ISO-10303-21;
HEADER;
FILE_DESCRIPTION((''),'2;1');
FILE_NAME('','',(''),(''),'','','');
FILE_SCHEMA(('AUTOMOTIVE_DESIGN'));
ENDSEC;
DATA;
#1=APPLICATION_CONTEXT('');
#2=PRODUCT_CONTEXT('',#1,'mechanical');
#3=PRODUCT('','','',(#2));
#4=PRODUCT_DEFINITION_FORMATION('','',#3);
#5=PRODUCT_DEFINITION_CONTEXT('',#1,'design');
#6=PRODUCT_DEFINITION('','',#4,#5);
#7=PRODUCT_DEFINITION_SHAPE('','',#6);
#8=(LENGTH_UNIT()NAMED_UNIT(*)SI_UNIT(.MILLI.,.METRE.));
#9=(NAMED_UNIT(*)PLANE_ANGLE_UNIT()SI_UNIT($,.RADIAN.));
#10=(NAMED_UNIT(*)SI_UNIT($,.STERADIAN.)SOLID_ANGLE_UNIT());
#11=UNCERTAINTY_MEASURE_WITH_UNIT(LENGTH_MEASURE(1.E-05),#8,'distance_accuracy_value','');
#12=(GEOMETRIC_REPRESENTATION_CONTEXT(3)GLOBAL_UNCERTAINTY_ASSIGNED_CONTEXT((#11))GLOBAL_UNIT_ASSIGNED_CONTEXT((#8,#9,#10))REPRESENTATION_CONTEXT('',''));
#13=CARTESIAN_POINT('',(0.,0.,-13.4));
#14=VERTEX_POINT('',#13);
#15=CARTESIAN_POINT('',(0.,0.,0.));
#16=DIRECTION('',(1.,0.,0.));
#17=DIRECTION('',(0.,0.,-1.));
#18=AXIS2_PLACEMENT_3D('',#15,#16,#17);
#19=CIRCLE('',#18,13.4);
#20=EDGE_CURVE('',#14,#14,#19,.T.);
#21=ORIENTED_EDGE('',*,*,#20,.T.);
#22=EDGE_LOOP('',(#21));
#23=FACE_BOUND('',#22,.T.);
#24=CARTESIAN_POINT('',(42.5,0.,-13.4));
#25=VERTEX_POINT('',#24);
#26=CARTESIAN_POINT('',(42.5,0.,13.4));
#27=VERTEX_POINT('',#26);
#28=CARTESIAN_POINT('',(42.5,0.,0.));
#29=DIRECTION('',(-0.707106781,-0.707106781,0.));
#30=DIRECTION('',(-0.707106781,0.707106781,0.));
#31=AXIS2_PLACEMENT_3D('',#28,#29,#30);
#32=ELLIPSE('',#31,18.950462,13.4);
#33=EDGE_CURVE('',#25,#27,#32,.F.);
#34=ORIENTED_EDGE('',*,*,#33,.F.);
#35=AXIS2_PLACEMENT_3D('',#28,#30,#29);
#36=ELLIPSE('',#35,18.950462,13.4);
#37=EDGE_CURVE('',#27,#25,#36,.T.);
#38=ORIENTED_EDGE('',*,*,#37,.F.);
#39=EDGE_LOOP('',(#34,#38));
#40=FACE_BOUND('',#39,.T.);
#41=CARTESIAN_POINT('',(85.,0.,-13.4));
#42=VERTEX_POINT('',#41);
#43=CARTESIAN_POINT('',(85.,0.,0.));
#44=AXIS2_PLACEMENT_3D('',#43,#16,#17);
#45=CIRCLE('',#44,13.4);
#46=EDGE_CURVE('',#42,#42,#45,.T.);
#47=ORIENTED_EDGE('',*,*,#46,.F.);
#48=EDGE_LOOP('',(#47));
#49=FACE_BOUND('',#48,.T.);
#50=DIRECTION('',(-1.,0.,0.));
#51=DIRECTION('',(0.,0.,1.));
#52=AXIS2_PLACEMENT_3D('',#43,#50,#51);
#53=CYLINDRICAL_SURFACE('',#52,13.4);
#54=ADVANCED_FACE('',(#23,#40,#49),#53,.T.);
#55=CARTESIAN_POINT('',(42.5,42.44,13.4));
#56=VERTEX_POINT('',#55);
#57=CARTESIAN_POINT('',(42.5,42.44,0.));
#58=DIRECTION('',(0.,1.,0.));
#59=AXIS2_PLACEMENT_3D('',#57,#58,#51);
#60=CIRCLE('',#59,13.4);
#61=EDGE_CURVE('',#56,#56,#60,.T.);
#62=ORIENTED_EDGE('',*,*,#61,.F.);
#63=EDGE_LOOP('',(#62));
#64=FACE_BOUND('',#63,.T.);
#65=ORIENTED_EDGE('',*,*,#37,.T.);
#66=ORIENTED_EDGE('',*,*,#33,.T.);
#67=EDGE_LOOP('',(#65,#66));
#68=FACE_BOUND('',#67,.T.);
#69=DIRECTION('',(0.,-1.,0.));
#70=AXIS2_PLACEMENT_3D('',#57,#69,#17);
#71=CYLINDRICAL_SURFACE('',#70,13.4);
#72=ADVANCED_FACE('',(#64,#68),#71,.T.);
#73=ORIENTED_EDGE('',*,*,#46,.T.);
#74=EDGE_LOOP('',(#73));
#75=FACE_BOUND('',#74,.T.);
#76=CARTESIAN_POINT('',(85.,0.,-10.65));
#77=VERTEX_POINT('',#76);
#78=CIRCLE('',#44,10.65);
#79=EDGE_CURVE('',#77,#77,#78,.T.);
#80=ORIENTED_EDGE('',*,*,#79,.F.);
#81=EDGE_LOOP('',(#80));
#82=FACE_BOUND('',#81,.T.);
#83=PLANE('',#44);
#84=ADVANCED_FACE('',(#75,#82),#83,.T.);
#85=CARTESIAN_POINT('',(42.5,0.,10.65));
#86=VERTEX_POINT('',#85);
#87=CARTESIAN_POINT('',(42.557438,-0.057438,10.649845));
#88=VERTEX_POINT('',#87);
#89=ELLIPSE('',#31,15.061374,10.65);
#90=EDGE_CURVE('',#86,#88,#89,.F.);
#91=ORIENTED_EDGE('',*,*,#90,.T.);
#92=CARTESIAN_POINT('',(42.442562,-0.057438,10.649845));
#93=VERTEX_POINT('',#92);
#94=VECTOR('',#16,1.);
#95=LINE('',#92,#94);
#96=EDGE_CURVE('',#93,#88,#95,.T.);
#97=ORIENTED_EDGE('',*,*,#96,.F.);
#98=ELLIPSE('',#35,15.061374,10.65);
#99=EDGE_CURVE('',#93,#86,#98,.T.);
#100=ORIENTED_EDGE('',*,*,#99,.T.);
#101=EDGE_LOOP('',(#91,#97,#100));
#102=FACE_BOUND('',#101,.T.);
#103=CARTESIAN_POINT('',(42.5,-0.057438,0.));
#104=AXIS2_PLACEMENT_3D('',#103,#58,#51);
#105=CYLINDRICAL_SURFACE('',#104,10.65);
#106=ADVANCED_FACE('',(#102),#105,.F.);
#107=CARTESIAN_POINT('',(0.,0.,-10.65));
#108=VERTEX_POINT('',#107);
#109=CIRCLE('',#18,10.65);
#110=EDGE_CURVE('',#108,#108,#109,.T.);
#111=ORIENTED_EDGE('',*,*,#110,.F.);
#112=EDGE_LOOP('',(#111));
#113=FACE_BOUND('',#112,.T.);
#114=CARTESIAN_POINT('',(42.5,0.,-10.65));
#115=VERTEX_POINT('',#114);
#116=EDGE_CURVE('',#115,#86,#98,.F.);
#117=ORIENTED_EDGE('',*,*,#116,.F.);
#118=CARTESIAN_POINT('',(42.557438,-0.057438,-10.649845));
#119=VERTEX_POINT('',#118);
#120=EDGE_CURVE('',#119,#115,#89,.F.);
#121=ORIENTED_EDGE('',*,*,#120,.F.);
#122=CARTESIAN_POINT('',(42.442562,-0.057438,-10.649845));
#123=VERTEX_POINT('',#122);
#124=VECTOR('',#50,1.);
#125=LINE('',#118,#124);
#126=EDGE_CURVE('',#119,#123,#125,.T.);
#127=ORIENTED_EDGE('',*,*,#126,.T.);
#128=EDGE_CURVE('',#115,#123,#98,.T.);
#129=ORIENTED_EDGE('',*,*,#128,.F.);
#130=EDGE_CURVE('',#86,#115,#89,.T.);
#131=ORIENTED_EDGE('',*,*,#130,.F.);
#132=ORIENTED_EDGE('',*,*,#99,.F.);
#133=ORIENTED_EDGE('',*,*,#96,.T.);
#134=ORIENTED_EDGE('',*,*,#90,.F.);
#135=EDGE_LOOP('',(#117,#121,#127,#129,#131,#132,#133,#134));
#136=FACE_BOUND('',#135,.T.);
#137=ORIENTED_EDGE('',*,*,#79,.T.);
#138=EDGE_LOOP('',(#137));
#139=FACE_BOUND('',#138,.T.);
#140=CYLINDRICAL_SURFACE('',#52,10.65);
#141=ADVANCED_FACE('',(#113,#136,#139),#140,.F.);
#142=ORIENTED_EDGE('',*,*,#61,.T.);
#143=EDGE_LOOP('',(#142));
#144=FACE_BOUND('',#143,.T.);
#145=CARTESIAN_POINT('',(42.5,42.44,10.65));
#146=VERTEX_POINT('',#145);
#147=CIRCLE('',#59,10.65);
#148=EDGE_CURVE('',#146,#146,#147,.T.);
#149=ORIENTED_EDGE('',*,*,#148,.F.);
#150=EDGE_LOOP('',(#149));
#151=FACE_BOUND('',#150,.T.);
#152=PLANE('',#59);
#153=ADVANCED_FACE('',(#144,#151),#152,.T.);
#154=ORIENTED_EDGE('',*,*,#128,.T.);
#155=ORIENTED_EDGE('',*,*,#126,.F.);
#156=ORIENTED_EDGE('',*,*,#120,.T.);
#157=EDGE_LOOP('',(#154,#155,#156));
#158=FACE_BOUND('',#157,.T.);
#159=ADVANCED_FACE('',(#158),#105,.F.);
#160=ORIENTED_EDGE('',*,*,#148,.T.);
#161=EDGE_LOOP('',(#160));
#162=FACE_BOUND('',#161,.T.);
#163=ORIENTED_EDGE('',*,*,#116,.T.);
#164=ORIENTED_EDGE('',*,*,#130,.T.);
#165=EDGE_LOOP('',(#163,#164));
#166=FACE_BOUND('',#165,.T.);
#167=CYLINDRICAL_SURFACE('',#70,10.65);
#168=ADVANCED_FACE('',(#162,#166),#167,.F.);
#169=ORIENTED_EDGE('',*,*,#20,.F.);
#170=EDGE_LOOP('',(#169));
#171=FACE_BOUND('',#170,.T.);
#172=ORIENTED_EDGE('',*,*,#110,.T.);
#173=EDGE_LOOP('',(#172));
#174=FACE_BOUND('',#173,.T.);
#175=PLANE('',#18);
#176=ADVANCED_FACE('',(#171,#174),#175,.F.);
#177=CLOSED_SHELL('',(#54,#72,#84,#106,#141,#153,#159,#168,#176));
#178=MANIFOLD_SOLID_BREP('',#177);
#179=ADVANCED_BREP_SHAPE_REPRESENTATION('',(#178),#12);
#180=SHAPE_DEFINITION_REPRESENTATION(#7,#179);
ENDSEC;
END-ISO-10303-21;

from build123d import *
from build123d.topology import SkipClean

# Parameters (mm, degrees)
CROQUIS1_R              = 13.4
CROQUIS1_R_2            = 10.65
SALIENTE_EXTRUIR1_DEPTH = 85
CROQUIS2_R              = 13.4
CROQUIS2_R_2            = 10.65
SALIENTE_EXTRUIR2_DEPTH = 42.44
CROQUIS3_R              = 10.65
CORTAR_EXTRUIR1_DEPTH   = 84.497438367
CORTAR_EXTRUIR2_START   = -42.497438367
CROQUIS5_R              = 10.65
CORTAR_EXTRUIR2_DEPTH   = 42.497438367


with BuildPart() as part:
    # Croquis1 → Saliente-Extruir1 (new body)
    with BuildSketch(Plane(origin=(0, 0, 0), x_dir=(0, 0, -1), z_dir=(1, 0, 0))):
        Circle(CROQUIS1_R)
        Circle(CROQUIS1_R_2, mode=Mode.SUBTRACT)
    extrude(amount=SALIENTE_EXTRUIR1_DEPTH)

    # Croquis2 → Saliente-Extruir2 (add)
    with BuildSketch(Plane(origin=(0, 0, 0), x_dir=(1, 0, 0), z_dir=(0, 1, 0))):
        with Locations(Location((42.5, 0, 0), (0, 0, 270))):
            Circle(CROQUIS2_R)
        with Locations(Location((42.5, 0, 0), (0, 0, 90))):
            Circle(CROQUIS2_R_2, mode=Mode.SUBTRACT)
    extrude(amount=SALIENTE_EXTRUIR2_DEPTH)

    # Croquis3 → Cortar-Extruir1 (cut)
    with SkipClean():  # the faces are left unmerged after this step: merging them gives an invalid solid
        with BuildSketch(Plane.ZY):
            with Locations(Location((0, 0, 0), (0, 0, 180))):
                Circle(CROQUIS3_R)
        extrude(amount=-CORTAR_EXTRUIR1_DEPTH, mode=Mode.SUBTRACT)

    # Croquis5 → Cortar-Extruir2 (cut)
    with SkipClean():  # the faces are left unmerged after this step: merging them gives an invalid solid
        with BuildSketch(Plane(origin=(0, 42.44, 0), x_dir=(1, 0, 0), z_dir=(0, 1, 0)).offset(CORTAR_EXTRUIR2_START)):
            with Locations(Location((42.5, 0, 0), (0, 0, 270))):
                Circle(CROQUIS5_R)
        extrude(amount=CORTAR_EXTRUIR2_DEPTH, mode=Mode.SUBTRACT)


solid = part.part
